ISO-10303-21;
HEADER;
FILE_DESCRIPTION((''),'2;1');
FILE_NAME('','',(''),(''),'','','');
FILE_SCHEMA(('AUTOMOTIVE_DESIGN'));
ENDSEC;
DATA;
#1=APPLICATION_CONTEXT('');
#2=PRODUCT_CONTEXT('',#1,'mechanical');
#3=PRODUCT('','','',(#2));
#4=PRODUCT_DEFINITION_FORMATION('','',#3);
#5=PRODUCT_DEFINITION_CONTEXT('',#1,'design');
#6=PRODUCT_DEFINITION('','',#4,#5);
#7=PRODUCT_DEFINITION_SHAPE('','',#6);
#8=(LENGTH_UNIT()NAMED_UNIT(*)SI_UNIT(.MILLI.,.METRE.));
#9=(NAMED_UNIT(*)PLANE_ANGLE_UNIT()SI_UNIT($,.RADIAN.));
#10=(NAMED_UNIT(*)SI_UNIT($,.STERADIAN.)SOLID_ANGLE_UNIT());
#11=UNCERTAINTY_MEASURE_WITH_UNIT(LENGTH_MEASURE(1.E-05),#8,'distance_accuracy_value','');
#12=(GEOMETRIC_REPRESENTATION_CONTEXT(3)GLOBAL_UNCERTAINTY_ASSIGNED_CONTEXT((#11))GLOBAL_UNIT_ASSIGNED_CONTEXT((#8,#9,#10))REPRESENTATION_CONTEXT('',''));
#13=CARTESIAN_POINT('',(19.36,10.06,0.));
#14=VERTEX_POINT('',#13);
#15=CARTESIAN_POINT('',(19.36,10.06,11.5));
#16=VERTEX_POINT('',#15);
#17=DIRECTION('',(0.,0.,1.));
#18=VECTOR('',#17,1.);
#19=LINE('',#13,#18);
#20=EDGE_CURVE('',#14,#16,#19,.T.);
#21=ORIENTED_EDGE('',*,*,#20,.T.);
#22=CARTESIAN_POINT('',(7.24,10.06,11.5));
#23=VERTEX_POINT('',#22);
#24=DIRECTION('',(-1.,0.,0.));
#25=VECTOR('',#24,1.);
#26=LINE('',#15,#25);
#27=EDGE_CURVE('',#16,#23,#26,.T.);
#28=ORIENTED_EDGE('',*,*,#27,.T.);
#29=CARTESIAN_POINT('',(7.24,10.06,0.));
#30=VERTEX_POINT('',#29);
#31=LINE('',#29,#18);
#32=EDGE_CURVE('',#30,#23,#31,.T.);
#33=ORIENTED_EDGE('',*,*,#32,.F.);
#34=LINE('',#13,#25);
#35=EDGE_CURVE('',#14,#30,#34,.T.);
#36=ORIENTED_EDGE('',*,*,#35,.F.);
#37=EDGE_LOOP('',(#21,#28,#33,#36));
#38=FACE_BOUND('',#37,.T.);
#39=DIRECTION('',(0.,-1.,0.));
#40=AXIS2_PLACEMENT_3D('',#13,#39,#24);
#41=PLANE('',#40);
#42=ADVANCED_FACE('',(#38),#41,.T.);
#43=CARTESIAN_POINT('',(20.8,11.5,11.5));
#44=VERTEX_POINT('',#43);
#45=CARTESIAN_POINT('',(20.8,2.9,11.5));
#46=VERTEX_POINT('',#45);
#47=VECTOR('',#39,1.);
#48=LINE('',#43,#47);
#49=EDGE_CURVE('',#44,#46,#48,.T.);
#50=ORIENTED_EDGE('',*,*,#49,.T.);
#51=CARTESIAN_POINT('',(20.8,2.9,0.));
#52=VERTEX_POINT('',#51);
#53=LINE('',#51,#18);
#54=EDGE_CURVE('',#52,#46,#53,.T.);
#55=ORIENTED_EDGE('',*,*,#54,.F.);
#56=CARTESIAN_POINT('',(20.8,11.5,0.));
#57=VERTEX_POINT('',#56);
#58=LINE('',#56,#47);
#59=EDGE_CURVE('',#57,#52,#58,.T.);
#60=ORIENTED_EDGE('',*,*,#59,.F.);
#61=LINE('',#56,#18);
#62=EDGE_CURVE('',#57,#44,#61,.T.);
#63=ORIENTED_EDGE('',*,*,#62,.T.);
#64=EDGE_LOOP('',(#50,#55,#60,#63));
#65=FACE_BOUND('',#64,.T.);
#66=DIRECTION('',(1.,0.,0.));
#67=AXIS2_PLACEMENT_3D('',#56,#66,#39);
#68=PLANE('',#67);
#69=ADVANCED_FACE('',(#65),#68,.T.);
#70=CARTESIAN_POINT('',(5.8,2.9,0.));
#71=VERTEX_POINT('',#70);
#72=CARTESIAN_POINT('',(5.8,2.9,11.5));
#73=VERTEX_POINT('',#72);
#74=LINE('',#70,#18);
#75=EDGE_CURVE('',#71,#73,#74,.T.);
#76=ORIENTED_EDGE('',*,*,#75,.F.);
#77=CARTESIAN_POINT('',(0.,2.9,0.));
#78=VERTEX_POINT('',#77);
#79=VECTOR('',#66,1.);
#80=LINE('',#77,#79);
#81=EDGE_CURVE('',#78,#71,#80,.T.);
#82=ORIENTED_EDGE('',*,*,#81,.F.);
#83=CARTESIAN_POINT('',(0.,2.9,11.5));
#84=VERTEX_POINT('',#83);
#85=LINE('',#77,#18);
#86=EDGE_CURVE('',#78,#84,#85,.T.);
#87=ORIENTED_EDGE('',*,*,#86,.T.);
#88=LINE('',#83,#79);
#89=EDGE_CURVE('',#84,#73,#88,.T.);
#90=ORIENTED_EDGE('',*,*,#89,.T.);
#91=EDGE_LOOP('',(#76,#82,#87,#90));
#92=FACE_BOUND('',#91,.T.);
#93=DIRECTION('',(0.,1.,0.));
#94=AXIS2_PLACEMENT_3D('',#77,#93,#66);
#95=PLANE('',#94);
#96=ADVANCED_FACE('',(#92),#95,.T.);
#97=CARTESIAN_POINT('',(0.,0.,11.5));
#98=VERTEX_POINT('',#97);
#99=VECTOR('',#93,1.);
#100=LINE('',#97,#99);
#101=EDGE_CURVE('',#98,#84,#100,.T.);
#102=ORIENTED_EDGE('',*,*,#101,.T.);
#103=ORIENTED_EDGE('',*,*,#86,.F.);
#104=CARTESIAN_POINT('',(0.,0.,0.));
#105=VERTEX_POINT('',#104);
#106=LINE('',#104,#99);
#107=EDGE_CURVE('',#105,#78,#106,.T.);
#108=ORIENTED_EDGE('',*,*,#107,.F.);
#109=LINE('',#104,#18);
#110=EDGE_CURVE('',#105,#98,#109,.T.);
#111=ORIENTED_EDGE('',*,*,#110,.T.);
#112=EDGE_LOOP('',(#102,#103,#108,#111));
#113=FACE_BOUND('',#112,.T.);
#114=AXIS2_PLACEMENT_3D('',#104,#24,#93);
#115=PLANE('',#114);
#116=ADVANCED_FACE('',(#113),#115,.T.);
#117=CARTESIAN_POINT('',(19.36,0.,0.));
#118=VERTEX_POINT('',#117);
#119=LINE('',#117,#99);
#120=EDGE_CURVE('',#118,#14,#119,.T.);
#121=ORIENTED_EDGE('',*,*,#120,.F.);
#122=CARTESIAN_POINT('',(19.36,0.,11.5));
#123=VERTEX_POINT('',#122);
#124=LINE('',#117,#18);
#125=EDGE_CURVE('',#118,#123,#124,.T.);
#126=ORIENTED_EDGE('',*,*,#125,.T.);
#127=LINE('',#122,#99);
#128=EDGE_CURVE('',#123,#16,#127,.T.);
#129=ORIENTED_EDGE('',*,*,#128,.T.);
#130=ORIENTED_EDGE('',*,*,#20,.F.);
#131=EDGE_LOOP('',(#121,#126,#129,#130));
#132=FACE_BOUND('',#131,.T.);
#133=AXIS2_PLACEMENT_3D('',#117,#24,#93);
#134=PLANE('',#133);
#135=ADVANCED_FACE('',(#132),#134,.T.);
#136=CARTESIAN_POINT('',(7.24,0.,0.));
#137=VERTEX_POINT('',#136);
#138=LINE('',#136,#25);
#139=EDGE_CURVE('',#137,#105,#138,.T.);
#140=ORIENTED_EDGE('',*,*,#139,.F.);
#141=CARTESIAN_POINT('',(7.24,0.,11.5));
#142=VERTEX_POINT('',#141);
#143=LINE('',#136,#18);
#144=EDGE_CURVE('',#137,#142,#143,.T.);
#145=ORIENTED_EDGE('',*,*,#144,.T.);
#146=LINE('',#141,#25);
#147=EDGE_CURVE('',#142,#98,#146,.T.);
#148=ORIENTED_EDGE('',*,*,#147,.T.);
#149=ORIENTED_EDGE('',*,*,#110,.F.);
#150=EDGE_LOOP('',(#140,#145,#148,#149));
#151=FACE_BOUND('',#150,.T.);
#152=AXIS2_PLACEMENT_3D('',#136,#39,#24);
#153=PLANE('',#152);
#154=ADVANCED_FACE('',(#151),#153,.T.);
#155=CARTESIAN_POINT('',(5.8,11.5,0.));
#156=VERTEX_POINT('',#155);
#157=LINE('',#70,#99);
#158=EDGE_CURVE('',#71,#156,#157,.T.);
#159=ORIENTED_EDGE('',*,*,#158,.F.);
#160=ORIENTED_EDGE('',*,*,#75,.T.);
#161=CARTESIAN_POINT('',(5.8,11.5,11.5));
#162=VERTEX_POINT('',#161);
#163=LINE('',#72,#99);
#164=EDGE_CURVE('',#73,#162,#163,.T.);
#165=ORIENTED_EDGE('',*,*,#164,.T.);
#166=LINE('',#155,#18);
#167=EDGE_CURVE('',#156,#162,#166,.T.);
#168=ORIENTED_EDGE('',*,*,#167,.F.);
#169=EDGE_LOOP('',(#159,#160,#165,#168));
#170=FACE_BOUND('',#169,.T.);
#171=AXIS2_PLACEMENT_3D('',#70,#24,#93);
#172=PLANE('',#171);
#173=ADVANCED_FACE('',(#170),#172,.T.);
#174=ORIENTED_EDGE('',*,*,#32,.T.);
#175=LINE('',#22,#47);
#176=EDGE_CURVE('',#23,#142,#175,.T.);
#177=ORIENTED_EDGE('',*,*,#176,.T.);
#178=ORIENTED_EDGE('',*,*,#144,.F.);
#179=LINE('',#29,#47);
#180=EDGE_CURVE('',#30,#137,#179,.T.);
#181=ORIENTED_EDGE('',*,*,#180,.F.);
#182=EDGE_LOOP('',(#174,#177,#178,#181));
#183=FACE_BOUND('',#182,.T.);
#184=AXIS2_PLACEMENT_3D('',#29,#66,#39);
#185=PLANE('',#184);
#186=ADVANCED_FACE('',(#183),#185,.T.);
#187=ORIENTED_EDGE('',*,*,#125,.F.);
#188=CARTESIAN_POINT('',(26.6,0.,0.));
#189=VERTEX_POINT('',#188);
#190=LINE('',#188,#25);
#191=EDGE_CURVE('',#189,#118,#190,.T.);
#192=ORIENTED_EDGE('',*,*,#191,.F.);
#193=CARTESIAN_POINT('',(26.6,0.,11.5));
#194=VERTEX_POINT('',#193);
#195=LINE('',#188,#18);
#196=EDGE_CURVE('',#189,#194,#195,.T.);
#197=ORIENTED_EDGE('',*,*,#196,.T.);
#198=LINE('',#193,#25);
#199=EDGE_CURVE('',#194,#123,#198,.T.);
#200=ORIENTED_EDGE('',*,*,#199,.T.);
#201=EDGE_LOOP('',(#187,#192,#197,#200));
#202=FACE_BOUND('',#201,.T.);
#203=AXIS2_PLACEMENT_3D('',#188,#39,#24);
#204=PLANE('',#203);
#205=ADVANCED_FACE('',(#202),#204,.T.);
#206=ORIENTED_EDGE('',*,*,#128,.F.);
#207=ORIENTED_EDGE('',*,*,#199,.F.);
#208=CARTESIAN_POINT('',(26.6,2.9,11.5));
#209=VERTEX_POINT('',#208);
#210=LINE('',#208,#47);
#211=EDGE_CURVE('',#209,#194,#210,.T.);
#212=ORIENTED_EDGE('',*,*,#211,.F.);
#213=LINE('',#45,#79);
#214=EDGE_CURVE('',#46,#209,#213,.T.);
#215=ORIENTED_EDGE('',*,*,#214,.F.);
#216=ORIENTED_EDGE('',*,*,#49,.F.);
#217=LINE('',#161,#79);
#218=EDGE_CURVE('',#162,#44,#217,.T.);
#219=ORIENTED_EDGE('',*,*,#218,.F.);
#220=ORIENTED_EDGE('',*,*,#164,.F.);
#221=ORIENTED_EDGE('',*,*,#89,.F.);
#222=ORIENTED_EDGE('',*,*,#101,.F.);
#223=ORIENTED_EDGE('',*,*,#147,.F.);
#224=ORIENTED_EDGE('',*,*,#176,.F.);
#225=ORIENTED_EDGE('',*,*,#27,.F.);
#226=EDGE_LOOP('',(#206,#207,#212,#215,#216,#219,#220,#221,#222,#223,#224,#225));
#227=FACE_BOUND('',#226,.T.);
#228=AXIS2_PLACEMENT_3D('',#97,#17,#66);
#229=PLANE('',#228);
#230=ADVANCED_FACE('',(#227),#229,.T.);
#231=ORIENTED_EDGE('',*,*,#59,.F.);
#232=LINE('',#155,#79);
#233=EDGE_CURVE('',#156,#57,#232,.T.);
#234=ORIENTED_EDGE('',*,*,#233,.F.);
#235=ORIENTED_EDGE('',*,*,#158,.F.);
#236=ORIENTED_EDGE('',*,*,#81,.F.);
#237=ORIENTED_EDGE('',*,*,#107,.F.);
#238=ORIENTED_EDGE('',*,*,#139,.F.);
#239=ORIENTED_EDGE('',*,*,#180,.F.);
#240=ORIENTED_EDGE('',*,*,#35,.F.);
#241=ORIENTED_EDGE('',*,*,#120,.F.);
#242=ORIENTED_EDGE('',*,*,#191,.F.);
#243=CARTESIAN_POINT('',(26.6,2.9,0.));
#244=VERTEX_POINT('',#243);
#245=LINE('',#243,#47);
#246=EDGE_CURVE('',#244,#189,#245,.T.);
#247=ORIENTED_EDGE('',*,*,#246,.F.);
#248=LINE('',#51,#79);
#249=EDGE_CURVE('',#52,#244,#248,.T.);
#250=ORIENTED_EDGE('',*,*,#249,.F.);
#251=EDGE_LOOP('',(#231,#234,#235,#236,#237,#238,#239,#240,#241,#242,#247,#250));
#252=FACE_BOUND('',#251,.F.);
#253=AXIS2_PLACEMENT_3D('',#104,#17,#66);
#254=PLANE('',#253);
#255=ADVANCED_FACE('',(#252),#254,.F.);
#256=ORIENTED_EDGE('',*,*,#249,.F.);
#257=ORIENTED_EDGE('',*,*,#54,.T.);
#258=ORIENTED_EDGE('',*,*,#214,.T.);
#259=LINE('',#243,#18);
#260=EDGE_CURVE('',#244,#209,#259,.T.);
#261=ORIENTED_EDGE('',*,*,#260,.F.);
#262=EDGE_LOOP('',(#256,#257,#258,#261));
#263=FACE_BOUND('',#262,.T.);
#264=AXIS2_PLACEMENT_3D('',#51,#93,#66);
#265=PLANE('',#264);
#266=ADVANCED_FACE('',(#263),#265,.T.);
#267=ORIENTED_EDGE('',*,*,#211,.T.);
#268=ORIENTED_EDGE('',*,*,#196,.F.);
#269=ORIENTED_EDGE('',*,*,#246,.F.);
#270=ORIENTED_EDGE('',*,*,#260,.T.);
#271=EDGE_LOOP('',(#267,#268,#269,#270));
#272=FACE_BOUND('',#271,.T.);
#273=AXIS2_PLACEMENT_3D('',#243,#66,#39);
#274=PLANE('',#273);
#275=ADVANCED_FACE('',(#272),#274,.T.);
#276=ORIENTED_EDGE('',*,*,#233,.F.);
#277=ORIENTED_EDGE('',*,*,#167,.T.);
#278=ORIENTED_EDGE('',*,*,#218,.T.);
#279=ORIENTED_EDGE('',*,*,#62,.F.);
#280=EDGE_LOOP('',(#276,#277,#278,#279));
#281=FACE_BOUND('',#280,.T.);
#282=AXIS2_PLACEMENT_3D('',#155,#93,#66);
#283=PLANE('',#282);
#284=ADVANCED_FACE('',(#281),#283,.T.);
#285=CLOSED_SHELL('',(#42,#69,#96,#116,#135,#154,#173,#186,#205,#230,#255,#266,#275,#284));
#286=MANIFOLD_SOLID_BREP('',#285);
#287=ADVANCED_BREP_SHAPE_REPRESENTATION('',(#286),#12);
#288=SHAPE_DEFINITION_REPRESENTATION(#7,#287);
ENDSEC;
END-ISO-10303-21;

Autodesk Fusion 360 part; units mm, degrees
sketch "Szkic1" plane through (0, 0, 0) normal (0, 0, 1) x (1, 0, 0)
  line L0 (0, 0) -> (0, 2.9)
  line L1 (0, 2.9) -> (5.8, 2.9)
  line L2 (5.8, 2.9) -> (5.8, 11.5)
  line L3 (5.8, 11.5) -> (20.8, 11.5)
  line L4 (20.8, 11.5) -> (20.8, 2.9)
  line L5 (20.8, 2.9) -> (26.6, 2.9)
  line L6 (26.6, 2.9) -> (26.6, 0)
  line L7 (26.6, 0) -> (19.36, 0)
  line L8 (19.36, 0) -> (19.36, 10.06)
  line L9 (19.36, 10.06) -> (7.24, 10.06)
  line L10 (7.24, 10.06) -> (7.24, 0)
  line L11 (7.24, 0) -> (0, 0)
  dimension "d1" = 2.9
  dimension "d2" = 5.8
  dimension "d3" = 8.6
  dimension "d4" = 15
  dimension "d5" = 8.6
  dimension "d6" = 5.8
  dimension "d7" = 7.24
  dimension "d8" = 10.06
  dimension "d9" = 12.12
  dimension "d10" = 10.06
extrude "Wyciągnięcie proste1" add sketch "Szkic1" along normal blind 11.5
